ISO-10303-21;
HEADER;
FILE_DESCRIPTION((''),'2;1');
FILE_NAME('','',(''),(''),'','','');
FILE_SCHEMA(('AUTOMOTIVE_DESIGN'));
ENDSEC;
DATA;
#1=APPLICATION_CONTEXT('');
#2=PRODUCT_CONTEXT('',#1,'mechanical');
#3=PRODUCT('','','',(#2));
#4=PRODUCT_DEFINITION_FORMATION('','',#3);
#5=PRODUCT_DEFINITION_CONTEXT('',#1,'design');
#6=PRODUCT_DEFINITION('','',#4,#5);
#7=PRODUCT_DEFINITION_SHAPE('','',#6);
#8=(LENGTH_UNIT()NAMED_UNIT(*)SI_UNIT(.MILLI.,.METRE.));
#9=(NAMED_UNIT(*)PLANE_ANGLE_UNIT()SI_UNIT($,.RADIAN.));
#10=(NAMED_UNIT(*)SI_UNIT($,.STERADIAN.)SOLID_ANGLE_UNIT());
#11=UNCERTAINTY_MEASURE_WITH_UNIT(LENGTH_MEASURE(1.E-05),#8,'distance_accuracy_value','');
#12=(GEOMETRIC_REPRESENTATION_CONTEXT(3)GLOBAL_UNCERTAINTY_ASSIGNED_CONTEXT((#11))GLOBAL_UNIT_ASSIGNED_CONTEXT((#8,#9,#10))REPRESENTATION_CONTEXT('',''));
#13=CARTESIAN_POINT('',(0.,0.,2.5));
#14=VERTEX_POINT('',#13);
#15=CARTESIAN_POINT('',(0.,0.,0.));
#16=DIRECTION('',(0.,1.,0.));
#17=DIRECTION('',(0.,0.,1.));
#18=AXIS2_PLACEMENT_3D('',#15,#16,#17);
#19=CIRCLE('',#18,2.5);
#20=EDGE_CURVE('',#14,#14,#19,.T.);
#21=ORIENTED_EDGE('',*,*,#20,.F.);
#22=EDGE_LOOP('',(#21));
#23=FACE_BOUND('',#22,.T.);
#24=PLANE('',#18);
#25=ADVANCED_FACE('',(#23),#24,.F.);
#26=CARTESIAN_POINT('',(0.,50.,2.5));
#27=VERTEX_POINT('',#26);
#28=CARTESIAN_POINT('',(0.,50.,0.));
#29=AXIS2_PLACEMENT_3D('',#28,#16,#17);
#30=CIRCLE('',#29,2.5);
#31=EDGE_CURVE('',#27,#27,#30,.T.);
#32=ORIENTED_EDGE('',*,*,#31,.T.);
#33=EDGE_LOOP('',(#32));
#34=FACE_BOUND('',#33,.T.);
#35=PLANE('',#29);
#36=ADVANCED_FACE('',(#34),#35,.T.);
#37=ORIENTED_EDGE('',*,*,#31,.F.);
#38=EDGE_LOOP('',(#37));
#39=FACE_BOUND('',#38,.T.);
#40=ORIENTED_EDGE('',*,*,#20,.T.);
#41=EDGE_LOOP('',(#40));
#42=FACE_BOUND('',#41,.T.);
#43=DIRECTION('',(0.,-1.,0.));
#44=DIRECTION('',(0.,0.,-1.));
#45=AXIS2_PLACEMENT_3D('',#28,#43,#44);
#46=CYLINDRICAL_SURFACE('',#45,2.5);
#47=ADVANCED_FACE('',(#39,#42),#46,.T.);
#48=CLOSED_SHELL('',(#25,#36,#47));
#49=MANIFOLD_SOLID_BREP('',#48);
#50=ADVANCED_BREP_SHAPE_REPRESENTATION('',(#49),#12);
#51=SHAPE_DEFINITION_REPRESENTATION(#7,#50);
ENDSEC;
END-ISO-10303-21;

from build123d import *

# Parameters (mm, degrees)
SKETCH1_R           = 2.5
BOSS_EXTRUDE1_DEPTH = 50


with BuildPart() as part:
    # Sketch1 → Boss-Extrude1 (new body)
    with BuildSketch(Plane(origin=(0, 0, 0), x_dir=(1, 0, 0), z_dir=(0, 1, 0))):
        Circle(SKETCH1_R)
    extrude(amount=BOSS_EXTRUDE1_DEPTH)


solid = part.part
